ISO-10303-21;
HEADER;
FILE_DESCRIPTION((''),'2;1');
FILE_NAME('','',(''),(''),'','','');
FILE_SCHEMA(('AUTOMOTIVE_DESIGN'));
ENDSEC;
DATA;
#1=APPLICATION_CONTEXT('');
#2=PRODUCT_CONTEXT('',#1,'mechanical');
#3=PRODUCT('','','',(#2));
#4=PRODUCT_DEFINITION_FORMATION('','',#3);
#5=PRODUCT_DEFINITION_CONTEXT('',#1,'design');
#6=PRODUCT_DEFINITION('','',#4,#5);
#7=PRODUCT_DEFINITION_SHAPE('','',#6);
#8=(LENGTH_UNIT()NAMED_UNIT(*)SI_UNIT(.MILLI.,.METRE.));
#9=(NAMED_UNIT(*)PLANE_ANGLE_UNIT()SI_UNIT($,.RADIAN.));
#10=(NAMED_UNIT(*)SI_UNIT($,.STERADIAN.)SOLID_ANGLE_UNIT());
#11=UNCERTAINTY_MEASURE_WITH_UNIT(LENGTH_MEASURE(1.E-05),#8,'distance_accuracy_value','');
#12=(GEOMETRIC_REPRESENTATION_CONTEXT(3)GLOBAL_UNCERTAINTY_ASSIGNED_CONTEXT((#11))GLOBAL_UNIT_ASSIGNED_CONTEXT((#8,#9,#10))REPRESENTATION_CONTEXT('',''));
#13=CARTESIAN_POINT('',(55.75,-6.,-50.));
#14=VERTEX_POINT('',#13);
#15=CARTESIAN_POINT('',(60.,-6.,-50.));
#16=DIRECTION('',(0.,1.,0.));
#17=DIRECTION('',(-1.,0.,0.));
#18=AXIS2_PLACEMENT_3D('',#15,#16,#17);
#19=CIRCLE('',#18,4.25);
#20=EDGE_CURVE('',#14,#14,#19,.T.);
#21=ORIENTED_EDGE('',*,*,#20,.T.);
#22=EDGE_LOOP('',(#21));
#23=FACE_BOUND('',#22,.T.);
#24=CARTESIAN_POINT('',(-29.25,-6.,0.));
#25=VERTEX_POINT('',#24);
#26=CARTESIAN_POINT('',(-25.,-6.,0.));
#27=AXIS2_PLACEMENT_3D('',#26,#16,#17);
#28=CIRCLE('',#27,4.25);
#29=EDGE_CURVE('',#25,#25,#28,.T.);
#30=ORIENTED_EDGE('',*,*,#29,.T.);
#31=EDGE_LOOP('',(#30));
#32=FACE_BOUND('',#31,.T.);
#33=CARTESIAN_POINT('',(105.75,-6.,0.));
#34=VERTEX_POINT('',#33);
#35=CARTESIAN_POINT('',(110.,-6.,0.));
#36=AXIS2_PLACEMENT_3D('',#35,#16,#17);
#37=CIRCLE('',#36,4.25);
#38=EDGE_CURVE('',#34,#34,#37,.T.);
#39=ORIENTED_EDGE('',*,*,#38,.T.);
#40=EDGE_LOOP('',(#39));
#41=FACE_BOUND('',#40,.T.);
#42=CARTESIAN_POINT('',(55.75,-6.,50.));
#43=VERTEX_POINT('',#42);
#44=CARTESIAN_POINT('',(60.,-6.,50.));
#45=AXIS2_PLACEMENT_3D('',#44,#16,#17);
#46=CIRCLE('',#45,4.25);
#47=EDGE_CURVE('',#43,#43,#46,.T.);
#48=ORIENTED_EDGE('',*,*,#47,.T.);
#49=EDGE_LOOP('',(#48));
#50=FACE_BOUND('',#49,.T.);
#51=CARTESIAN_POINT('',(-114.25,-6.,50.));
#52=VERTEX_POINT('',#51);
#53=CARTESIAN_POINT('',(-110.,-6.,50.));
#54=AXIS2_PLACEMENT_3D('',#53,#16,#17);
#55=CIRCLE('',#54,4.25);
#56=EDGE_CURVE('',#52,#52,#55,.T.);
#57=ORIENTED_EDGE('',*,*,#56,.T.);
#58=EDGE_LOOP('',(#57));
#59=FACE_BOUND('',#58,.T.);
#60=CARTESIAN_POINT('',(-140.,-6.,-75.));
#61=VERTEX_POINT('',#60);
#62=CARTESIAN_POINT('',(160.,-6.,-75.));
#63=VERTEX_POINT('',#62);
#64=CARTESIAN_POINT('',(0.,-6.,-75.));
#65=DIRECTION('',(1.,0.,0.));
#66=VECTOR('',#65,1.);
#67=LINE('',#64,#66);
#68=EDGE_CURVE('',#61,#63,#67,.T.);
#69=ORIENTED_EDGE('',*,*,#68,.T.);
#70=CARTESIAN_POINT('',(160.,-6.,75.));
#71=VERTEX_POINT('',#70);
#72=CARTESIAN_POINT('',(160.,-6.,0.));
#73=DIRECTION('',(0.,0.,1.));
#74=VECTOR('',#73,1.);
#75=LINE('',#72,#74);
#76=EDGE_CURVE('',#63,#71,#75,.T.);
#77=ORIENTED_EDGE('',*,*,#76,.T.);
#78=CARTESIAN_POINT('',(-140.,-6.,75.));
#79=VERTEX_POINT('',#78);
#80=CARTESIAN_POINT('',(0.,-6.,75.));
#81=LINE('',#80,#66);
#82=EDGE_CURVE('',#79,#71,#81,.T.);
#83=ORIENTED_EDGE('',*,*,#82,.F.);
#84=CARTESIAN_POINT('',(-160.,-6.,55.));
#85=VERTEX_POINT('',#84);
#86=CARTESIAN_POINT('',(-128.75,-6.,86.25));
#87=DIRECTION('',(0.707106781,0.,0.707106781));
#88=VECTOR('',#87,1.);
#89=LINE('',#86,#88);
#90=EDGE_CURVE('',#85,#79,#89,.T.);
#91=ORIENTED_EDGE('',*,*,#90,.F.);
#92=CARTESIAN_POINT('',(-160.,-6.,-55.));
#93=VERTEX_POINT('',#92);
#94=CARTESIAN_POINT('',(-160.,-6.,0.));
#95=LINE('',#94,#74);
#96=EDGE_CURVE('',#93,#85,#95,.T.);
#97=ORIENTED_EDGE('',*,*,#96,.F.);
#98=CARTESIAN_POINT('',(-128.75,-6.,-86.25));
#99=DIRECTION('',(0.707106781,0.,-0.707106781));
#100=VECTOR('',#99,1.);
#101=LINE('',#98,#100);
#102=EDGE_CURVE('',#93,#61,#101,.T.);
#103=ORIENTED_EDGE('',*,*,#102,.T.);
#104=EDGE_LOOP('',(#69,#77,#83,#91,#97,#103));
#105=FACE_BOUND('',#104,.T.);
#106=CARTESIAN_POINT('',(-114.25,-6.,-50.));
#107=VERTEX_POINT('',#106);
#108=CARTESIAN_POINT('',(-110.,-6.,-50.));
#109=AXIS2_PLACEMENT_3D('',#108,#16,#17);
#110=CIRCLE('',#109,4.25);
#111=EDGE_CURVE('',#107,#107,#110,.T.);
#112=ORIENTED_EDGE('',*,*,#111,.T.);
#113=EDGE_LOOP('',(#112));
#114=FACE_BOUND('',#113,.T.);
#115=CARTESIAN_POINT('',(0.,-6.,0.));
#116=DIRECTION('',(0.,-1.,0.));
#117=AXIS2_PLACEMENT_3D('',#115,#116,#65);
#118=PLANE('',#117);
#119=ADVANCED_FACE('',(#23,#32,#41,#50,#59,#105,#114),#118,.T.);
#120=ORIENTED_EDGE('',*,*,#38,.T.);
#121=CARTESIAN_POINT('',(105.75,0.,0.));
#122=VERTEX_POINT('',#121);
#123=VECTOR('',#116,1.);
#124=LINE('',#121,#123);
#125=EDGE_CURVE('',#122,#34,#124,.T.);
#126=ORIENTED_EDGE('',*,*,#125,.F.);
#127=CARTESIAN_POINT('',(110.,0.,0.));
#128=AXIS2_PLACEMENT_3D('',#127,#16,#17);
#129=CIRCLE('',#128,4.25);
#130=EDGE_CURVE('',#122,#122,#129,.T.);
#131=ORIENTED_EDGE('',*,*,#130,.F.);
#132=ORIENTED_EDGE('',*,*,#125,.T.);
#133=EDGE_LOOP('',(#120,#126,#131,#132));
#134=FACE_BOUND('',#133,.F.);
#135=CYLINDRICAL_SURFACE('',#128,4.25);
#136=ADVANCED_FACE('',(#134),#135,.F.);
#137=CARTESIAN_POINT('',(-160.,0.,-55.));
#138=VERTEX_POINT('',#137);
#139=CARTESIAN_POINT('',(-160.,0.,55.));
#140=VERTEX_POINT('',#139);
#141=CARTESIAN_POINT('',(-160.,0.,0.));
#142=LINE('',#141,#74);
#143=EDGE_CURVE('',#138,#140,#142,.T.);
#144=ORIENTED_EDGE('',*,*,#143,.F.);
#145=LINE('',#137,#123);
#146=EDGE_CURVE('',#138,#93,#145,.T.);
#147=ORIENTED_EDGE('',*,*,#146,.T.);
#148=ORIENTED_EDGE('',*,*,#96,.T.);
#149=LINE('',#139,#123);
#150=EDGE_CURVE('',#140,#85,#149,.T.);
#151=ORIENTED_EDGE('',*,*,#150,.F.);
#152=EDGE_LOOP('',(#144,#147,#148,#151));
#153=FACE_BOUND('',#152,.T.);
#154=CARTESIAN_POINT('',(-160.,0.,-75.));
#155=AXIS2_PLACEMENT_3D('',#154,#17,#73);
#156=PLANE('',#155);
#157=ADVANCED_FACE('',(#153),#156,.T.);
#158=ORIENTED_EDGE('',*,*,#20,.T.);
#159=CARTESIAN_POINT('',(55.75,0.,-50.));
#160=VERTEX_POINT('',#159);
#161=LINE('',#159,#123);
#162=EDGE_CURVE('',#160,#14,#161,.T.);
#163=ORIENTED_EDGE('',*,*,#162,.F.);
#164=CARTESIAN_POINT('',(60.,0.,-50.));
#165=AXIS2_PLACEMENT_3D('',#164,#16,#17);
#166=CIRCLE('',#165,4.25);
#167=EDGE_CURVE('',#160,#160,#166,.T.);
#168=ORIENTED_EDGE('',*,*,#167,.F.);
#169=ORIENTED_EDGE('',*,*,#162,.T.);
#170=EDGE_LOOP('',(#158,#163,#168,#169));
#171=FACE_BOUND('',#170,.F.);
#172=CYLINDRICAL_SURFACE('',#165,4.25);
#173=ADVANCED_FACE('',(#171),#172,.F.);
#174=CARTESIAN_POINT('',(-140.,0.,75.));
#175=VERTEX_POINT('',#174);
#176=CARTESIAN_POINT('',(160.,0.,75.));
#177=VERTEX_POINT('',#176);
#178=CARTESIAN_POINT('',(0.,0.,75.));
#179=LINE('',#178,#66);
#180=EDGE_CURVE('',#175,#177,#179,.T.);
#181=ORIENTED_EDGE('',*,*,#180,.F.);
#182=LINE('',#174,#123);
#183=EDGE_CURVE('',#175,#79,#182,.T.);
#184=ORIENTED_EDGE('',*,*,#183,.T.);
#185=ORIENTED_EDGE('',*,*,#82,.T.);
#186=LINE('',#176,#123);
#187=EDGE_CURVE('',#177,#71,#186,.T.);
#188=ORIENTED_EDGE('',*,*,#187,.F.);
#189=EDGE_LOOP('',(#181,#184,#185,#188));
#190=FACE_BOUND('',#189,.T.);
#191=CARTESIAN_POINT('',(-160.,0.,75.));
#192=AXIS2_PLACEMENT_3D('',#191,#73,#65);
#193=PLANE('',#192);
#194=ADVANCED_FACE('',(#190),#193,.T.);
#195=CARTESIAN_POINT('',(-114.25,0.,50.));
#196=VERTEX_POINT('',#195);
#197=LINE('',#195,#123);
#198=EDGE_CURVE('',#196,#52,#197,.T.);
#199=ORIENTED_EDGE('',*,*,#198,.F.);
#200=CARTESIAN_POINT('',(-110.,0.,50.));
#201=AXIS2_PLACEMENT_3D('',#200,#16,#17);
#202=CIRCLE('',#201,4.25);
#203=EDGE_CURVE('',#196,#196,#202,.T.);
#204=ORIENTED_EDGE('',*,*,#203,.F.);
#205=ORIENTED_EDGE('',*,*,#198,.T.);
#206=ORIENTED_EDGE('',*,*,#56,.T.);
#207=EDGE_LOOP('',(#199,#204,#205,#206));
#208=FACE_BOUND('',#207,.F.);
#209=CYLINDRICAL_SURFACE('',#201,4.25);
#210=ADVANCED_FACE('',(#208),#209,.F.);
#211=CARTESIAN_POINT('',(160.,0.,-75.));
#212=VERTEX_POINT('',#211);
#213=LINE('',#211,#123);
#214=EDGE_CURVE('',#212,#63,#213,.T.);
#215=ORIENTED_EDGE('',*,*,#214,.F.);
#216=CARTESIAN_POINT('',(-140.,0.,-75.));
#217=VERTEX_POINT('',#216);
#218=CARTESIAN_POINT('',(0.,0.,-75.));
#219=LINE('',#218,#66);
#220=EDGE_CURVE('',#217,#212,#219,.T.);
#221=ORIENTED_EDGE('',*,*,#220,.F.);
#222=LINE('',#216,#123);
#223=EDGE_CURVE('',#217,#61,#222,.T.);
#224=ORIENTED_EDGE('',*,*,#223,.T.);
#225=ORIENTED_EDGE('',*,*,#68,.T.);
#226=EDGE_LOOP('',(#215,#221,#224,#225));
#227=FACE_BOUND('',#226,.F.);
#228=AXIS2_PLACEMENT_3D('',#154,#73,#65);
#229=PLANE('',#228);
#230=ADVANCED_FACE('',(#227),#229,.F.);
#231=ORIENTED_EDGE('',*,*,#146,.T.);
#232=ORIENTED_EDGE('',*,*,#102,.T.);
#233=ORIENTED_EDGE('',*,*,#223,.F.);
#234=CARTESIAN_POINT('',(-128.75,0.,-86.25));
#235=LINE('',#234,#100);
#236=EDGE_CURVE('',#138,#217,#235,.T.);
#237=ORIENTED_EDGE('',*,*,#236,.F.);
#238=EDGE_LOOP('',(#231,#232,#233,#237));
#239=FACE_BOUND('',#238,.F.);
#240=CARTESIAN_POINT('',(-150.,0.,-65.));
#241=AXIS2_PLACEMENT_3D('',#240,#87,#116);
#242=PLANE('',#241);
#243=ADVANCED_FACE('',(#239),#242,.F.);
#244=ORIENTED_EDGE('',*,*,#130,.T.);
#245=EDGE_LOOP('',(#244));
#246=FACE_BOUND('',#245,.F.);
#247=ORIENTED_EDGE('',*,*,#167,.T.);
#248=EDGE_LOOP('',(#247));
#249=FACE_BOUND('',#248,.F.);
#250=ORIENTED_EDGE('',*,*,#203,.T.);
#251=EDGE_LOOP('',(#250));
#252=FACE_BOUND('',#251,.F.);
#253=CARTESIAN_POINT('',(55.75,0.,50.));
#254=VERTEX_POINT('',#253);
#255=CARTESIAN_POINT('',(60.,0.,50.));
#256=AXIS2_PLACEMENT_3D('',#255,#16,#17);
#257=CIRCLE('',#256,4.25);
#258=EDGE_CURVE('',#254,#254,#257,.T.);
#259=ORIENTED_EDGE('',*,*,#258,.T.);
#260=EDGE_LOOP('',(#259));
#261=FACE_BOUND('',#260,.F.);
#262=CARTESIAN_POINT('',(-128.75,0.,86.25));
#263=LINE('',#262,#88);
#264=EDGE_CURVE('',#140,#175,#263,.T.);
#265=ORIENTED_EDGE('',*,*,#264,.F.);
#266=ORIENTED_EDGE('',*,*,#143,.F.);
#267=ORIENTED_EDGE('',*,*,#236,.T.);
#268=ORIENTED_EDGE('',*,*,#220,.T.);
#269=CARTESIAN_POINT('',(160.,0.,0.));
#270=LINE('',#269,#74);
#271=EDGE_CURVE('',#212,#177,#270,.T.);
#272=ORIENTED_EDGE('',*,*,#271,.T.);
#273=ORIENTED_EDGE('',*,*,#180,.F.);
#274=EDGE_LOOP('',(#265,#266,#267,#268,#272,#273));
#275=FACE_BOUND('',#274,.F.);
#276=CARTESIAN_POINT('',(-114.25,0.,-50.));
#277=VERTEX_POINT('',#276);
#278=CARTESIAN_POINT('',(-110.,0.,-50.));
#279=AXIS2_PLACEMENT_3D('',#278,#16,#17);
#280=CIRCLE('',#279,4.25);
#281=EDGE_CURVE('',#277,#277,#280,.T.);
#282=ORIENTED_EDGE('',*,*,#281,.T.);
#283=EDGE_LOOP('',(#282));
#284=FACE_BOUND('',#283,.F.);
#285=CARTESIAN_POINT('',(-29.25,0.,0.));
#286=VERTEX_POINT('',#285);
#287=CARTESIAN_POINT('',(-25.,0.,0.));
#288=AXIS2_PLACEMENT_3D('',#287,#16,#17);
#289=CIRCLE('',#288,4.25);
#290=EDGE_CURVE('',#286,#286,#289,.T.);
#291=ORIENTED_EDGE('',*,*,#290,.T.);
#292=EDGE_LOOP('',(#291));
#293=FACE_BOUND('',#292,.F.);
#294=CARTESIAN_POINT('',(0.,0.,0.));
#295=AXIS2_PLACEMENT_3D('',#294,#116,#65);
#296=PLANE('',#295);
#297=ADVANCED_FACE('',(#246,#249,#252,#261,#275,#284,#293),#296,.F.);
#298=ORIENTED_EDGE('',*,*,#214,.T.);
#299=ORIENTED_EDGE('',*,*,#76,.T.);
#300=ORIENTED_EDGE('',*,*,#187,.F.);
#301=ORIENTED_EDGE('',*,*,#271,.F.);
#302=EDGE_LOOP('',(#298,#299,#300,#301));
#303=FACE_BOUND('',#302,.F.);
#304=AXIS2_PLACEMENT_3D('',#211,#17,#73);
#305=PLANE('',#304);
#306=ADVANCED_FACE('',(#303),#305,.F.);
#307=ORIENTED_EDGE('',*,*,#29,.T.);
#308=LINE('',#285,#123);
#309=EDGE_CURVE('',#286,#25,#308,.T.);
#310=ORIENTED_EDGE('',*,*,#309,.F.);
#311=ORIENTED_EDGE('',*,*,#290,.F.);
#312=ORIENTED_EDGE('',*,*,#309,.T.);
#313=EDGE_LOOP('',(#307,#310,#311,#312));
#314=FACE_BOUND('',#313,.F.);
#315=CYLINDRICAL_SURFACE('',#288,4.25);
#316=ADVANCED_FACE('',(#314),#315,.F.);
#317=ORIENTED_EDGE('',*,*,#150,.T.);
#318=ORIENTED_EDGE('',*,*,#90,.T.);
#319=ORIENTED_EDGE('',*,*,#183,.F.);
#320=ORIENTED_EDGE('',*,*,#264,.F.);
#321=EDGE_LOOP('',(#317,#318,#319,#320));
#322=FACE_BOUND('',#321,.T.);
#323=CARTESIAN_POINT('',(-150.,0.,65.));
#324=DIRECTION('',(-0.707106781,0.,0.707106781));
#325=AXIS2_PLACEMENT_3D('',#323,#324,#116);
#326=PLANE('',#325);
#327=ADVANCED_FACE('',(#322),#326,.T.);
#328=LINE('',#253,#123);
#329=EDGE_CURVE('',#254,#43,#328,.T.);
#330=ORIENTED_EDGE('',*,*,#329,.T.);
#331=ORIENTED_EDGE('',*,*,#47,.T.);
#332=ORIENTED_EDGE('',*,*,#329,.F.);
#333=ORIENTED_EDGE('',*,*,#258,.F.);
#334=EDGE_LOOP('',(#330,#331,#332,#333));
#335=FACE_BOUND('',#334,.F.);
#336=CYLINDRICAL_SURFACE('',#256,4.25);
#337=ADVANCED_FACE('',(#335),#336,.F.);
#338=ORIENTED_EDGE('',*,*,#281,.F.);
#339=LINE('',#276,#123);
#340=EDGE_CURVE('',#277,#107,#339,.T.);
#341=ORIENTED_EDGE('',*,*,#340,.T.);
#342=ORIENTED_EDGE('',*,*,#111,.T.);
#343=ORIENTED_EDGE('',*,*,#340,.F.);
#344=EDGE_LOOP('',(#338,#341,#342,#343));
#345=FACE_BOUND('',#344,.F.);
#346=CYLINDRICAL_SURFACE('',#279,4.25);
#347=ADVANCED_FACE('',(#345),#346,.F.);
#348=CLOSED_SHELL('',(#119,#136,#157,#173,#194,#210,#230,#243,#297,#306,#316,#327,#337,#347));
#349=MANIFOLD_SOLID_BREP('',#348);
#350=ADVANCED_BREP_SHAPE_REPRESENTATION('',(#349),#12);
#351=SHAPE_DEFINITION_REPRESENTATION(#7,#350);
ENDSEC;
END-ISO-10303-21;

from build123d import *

# Parameters (mm, degrees)
F0_W     = 320
F0_H     = 150
F1_DEPTH = 6
F2_R     = 4.25
F3_DEPTH = 25
F4_SIZE  = 20


with BuildPart() as f1:
    # F0 (on Front) → F1 (new body)
    with BuildSketch(Plane.XZ):
        Rectangle(F0_W, F0_H)
    extrude(amount=F1_DEPTH)

    # F2 (on face) → F3 (cut)
    with BuildSketch(Plane(origin=(0, 0, 0), x_dir=(-1, 0, 0), z_dir=(0, 1, 0))):
        with Locations((-60, 50)):
            Circle(F2_R)
        with Locations((110, 50)):
            Circle(F2_R)
        with BuildLine():
            ThreePointArc((20.75, 0), (25, -4.25), (29.25, 0))
            Line((29.25, 0), (20.75, 0))
        make_face()
        with BuildLine():
            Line((20.75, 0), (29.25, 0))
            ThreePointArc((29.25, 0), (25, 4.25), (20.75, 0))
        make_face()
        with BuildLine():
            ThreePointArc((-114.25, 0), (-110, -4.25), (-105.75, 0))
            Line((-105.75, 0), (-114.25, 0))
        make_face()
        with BuildLine():
            Line((-114.25, 0), (-105.75, 0))
            ThreePointArc((-105.75, 0), (-110, 4.25), (-114.25, 0))
        make_face()
        with Locations((110, -50)):
            Circle(F2_R)
        with Locations((-60, -50)):
            Circle(F2_R)
    extrude(amount=-F3_DEPTH, mode=Mode.SUBTRACT)

    # F4
    f4_edges = [f1.edges().sort_by_distance(p)[0] for p in [
        (-160, -3, 75),
        (-160, -3, -75),
    ]]
    chamfer(f4_edges, length=F4_SIZE)


solid = f1.part
